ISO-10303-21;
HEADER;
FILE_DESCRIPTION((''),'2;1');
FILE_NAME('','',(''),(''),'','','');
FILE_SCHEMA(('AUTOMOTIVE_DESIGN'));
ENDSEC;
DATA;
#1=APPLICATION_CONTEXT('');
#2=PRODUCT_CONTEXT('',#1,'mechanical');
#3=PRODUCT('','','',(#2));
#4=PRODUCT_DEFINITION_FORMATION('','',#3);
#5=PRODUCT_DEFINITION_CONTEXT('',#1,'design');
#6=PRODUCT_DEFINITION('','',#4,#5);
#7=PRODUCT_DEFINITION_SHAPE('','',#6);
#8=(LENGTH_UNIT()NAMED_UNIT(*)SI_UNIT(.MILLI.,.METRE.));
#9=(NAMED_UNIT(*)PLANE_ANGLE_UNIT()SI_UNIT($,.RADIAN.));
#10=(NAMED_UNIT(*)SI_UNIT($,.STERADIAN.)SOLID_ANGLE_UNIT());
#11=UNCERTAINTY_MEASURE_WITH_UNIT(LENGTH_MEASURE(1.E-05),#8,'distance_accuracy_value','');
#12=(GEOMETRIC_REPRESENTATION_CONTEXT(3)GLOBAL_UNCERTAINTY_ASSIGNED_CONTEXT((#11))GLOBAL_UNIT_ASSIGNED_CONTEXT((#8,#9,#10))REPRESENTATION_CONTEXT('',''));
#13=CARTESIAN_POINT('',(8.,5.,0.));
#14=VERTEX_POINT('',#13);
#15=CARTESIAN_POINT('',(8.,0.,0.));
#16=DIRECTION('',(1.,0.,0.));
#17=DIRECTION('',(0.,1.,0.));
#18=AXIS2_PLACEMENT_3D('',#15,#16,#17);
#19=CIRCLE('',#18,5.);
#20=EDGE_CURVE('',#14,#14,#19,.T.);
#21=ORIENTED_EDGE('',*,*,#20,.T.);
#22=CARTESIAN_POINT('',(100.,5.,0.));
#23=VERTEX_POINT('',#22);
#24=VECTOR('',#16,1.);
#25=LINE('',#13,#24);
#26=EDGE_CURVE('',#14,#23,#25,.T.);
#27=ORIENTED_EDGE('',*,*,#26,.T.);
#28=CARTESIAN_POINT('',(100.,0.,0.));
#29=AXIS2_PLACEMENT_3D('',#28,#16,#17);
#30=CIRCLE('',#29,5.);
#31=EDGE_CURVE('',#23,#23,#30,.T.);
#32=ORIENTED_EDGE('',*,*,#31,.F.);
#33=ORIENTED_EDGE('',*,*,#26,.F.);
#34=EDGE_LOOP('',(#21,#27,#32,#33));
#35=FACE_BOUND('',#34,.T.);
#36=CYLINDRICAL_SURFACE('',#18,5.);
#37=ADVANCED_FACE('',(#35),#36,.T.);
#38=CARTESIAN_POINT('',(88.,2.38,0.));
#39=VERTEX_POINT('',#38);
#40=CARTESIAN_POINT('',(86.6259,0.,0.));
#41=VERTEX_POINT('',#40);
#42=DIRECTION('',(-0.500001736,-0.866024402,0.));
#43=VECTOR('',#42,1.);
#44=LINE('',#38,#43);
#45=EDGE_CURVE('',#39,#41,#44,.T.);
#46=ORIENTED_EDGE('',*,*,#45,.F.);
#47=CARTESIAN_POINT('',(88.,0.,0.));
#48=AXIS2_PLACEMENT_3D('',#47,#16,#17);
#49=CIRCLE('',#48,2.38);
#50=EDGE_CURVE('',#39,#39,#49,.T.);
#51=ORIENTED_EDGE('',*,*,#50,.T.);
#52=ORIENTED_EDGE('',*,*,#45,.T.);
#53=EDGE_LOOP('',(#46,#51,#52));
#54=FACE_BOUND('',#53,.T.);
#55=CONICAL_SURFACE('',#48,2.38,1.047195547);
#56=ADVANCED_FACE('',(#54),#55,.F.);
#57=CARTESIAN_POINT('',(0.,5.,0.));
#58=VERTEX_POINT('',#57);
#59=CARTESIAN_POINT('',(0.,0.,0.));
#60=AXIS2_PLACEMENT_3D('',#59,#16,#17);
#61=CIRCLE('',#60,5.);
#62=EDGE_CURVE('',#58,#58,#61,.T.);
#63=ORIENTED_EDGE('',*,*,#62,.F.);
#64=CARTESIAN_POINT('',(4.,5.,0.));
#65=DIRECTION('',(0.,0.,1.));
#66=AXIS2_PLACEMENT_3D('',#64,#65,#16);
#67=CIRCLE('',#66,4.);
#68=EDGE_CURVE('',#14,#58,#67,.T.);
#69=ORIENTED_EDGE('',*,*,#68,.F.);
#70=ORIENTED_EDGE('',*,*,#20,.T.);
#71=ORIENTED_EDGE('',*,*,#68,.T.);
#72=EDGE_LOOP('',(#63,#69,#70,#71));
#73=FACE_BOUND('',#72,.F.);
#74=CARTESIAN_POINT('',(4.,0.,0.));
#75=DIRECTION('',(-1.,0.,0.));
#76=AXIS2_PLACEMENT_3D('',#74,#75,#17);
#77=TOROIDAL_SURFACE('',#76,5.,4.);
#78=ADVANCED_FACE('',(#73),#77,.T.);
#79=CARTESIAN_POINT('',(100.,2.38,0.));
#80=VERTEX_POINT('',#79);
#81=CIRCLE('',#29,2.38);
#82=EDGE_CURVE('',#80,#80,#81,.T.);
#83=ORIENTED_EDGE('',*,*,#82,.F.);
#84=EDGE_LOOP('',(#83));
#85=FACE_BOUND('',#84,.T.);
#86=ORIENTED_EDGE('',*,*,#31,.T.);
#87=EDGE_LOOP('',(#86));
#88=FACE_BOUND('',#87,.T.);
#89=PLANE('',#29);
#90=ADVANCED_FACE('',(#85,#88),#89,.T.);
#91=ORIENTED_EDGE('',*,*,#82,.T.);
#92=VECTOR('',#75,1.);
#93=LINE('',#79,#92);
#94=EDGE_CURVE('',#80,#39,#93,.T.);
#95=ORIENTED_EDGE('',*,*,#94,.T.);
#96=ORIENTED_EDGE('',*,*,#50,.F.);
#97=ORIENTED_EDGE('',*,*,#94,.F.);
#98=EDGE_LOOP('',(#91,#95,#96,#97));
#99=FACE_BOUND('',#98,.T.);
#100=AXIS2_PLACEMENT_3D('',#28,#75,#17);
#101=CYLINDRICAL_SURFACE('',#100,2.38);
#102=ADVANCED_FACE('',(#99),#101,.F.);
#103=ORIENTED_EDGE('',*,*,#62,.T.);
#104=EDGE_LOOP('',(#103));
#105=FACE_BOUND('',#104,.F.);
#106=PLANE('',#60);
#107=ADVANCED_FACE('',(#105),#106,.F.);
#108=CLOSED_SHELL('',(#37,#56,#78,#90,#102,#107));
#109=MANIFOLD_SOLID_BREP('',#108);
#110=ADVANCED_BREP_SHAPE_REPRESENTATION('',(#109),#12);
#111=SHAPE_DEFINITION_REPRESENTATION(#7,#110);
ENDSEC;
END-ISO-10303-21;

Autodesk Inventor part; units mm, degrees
ref_plane "YZ Plane" through (0, 0, 0) normal (1, 0, 0) x (0, 1, 0)
ref_plane "XZ Plane" through (0, 0, 0) normal (0, 1, 0) x (-1, 0, 0)
ref_plane "XY Plane" through (0, 0, 0) normal (0, 0, 1) x (1, 0, 0)
sketch "Sketch1" plane through (0, 0, 0) normal (0, 0, 1) x (1, 0, 0)
  line L0 (0, 0) -> (100, 0)
  line L1 (8, 5) -> (100, 5)
  arc A0 (8, 5) -> (0, 5) centre (4, 5) ccw
  line L2 (100, 5) -> (100, 2.38)
  line L3 (100, 2.38) -> (88, 2.38)
  line L4 (88, 2.38) -> (86.6259, 0)
  line L5 (86.6259, 0) -> (0, 0)
  line L6 (0, 5) -> (0, 0)
  dimension "d0" = 100
  dimension "d1" = 5
  dimension "d2" = 92
  dimension "d3" = 4
  dimension "d4" = 12
  dimension "d5" = 120
  dimension "d6" = 2.38
revolve "Revolution1" add sketch "Sketch1" angle 360 about axis through (0, 0, 0) along (1, 0, 0)
thread "Thread1" size "M5x0.8" class "6H" standard "ANSI Metric M Profile" full length
properties part number "handle"
